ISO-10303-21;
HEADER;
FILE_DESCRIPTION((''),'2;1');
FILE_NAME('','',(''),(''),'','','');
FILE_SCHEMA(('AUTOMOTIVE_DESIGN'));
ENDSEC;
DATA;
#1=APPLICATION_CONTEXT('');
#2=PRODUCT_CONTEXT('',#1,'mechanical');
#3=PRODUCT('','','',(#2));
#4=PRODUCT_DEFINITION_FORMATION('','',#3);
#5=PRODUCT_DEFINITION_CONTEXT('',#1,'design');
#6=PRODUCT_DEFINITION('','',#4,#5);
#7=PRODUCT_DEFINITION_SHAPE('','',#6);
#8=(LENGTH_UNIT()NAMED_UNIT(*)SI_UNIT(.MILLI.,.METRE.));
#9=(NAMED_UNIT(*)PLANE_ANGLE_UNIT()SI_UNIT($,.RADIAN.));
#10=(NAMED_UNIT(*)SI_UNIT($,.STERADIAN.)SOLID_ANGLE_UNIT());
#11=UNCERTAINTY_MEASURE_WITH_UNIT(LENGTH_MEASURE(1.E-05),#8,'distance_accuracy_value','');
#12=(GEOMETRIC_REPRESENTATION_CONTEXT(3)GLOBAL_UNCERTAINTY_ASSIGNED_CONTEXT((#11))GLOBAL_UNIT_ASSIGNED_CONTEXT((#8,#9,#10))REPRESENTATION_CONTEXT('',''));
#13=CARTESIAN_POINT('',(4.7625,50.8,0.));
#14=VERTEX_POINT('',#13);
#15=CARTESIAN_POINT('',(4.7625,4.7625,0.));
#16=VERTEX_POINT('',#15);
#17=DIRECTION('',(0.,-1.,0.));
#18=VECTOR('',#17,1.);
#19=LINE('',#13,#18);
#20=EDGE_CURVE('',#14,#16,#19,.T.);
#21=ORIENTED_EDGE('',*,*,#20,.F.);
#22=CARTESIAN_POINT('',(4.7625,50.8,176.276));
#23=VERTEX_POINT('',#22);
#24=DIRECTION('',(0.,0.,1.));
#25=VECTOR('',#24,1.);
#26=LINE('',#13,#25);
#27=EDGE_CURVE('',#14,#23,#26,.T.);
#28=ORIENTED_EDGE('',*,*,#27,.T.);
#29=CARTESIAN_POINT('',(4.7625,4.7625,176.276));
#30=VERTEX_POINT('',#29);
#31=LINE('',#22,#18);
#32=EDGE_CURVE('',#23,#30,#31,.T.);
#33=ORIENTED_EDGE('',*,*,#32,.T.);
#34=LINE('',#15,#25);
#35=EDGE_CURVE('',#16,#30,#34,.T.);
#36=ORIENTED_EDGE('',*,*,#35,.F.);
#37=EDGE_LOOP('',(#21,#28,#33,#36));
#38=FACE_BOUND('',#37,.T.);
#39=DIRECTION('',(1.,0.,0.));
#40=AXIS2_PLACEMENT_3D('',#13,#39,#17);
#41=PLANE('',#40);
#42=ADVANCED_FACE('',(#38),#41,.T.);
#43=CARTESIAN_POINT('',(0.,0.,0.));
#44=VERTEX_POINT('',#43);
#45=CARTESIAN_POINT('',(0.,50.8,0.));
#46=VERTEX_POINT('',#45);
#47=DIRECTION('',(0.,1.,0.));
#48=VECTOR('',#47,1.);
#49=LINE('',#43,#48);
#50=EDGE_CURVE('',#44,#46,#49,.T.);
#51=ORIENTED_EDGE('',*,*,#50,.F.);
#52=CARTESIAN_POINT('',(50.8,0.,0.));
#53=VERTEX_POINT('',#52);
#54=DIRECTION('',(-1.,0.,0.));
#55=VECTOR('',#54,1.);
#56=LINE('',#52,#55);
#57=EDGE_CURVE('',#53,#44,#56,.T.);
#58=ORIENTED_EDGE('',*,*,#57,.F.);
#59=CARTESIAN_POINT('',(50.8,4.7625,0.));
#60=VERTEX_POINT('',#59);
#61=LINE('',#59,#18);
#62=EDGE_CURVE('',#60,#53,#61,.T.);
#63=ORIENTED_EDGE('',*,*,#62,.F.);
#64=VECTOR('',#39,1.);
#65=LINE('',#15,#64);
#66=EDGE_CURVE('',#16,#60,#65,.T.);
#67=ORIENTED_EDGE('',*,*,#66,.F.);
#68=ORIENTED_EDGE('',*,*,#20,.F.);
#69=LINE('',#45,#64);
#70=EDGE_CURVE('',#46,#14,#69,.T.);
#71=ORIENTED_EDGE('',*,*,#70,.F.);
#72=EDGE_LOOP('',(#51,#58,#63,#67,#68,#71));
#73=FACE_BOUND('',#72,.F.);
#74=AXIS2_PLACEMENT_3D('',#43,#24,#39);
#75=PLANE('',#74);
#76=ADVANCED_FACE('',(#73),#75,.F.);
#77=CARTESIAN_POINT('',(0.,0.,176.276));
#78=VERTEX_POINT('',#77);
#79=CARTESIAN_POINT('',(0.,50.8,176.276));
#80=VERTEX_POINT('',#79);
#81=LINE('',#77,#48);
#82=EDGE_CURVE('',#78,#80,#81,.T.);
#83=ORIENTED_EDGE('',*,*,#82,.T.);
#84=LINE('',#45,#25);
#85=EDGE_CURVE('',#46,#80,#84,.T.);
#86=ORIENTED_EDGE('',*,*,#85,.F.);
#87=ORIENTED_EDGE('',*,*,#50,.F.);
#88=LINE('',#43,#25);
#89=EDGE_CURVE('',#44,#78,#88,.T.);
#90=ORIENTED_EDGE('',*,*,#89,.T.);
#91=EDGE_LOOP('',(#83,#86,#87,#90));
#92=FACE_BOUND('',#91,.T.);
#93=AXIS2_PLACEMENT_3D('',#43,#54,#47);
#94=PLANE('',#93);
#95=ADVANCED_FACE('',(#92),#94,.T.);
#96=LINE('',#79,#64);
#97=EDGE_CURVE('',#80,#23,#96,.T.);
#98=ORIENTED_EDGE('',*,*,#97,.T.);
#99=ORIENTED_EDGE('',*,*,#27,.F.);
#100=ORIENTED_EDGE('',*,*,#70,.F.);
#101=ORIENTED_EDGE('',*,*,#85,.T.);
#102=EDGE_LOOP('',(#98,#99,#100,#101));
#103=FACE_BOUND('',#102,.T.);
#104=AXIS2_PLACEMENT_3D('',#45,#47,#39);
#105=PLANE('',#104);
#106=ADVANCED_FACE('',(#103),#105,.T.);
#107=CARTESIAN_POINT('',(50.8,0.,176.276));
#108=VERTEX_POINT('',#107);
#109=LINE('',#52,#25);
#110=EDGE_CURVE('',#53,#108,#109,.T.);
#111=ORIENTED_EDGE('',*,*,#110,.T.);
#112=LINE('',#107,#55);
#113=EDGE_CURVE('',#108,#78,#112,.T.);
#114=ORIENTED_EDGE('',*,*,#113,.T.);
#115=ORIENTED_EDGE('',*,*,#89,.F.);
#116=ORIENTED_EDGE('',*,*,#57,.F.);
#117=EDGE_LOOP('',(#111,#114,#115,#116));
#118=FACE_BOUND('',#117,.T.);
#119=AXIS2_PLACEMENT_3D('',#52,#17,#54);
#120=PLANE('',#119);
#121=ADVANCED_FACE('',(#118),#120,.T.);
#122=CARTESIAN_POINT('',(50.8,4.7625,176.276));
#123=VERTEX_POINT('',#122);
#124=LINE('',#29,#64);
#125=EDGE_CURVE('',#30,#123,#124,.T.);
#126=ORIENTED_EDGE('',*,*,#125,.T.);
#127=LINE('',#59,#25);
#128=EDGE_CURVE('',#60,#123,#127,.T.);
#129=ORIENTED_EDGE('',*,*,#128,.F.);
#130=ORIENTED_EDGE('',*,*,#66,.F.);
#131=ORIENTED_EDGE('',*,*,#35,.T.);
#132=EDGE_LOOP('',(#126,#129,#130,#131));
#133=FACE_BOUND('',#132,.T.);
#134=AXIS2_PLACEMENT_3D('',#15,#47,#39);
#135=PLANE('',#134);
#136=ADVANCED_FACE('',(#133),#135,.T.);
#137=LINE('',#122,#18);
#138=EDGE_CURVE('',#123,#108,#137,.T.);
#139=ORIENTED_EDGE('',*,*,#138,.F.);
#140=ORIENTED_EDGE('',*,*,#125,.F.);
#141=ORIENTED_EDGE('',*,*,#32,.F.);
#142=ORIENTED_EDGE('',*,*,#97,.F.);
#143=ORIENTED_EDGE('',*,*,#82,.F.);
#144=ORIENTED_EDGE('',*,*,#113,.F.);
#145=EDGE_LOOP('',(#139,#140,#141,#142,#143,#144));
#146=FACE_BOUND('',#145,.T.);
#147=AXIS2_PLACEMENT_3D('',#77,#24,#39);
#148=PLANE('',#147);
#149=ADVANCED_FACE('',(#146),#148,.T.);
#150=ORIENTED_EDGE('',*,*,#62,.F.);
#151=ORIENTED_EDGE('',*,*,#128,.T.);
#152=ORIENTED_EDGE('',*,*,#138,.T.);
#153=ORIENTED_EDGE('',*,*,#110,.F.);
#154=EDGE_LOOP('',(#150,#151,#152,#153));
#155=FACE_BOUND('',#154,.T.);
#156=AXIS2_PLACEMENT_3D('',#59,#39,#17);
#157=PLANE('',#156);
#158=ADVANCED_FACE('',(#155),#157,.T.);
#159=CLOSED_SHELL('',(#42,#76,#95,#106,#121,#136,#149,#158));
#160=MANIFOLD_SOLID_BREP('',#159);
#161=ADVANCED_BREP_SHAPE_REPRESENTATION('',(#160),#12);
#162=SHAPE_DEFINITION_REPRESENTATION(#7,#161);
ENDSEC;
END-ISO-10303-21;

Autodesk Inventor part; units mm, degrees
ref_plane "YZ Plane" through (0, 0, 0) normal (1, 0, 0) x (0, 1, 0)
ref_plane "XZ Plane" through (0, 0, 0) normal (0, 1, 0) x (-1, 0, 0)
ref_plane "XY Plane" through (0, 0, 0) normal (0, 0, 1) x (1, 0, 0)
sketch "Sketch1" plane through (0, 0, 0) normal (0, 0, 1) x (1, 0, 0)
  line L0 (0, 0) -> (0, 50.8)
  line L1 (0, 50.8) -> (4.7625, 50.8)
  line L2 (4.7625, 50.8) -> (4.7625, 4.7625)
  line L3 (4.7625, 4.7625) -> (50.8, 4.7625)
  line L4 (50.8, 4.7625) -> (50.8, 0)
  line L5 (50.8, 0) -> (0, 0)
  dimension "d0" = 4.7625
  dimension "d1" = 4.7625
  dimension "d2" = 50.8
  dimension "d3" = 50.8
extrude "Extrusion1" add sketch "Sketch1" along normal blind 176.276
properties part number "BOXC_L6"
